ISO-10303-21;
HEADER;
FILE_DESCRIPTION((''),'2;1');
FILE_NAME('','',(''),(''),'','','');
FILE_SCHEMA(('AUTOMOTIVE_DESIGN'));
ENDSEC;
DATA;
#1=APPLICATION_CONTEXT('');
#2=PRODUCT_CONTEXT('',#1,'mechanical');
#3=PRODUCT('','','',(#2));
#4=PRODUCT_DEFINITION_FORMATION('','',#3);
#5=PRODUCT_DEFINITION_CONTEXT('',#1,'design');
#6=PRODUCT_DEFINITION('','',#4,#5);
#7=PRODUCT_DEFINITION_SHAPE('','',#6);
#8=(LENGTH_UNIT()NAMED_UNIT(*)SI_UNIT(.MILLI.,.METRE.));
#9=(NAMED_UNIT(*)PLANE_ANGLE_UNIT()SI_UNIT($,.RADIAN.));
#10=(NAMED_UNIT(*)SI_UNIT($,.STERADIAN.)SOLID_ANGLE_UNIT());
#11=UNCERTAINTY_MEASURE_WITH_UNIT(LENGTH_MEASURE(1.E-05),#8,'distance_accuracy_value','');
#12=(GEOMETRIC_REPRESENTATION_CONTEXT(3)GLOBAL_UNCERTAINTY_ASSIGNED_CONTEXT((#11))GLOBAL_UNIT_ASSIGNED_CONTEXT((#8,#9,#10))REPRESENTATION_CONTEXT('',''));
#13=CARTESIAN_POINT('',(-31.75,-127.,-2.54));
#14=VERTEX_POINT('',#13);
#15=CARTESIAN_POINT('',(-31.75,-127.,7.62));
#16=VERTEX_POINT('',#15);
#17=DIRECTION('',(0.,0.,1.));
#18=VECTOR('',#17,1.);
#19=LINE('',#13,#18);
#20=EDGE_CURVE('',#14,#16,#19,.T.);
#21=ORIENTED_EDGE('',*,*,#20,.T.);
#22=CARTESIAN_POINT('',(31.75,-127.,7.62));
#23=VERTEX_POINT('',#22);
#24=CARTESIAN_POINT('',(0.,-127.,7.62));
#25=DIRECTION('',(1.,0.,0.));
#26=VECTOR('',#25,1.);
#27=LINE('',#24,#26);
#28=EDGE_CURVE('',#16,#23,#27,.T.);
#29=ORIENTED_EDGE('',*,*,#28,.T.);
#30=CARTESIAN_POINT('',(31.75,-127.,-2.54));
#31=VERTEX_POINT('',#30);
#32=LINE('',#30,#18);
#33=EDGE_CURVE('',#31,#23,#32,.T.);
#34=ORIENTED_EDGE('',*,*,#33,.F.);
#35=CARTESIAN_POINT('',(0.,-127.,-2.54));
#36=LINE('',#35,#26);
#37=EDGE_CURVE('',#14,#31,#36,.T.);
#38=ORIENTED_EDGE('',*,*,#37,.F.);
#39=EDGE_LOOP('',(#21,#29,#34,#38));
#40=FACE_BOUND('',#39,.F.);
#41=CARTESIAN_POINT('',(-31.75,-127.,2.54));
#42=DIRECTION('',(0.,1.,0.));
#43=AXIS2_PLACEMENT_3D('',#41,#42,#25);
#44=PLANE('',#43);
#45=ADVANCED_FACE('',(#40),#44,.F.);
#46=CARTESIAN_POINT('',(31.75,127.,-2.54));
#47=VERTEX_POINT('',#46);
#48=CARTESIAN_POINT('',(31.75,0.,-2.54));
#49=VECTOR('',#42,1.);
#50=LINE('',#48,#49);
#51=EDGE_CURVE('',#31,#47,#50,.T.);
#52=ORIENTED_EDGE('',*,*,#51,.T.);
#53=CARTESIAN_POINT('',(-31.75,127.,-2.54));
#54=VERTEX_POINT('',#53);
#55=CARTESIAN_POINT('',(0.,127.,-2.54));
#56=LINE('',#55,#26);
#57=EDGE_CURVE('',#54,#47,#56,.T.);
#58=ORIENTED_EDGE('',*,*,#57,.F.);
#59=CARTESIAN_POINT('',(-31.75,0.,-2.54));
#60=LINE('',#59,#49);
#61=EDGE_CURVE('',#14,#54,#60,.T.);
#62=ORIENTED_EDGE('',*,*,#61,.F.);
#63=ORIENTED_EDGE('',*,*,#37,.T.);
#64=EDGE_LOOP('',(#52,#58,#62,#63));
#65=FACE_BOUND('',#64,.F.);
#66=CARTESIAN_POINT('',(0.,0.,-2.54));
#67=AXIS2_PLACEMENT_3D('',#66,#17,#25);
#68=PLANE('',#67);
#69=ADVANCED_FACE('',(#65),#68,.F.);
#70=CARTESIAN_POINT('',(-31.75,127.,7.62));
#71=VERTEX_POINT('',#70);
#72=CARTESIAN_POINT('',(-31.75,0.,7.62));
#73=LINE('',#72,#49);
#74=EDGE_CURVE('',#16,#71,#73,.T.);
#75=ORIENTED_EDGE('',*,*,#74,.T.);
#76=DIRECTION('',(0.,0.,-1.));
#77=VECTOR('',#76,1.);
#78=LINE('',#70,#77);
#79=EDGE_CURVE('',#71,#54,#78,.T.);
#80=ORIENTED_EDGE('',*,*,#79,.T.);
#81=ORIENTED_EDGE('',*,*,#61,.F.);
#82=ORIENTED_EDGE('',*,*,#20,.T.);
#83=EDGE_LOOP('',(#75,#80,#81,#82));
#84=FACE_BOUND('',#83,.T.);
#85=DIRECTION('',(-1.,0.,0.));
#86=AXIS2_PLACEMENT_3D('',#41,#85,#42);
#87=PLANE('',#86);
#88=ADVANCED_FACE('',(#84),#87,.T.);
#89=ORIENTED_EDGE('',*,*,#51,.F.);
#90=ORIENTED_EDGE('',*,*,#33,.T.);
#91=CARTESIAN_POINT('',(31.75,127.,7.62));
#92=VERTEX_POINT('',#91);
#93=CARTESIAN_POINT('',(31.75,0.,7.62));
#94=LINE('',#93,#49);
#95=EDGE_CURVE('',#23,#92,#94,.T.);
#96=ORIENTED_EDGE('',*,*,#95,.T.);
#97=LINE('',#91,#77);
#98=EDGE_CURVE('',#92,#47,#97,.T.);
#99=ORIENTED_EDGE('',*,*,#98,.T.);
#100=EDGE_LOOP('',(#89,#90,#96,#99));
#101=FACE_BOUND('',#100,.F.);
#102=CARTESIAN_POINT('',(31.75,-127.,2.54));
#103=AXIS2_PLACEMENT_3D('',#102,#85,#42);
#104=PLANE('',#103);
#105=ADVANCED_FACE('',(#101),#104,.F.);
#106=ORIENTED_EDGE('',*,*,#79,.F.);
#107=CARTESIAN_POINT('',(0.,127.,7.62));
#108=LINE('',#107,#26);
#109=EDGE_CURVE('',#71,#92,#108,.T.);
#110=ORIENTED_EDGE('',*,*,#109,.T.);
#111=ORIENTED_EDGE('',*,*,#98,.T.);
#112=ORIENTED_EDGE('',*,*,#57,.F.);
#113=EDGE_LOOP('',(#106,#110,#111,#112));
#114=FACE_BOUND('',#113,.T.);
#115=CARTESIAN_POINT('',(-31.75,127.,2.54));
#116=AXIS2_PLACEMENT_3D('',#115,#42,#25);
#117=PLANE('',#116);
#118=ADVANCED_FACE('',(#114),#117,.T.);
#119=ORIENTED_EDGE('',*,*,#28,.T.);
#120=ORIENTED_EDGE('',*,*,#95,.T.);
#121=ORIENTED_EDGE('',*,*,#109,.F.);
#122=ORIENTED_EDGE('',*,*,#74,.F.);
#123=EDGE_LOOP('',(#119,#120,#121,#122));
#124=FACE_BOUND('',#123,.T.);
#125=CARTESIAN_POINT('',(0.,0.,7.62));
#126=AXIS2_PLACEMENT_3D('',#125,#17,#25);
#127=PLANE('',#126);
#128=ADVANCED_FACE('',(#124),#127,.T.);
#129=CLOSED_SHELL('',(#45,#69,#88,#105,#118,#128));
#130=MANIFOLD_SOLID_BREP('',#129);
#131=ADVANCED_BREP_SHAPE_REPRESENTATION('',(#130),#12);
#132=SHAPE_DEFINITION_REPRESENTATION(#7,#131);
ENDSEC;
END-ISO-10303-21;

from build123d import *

# Parameters (mm, degrees)
F0_W     = 63.5
F0_H     = 254
F1_DEPTH = 2.54
F2_DEPTH = 5.08


with BuildPart() as f1:
    # F0 (on Top) → F1 (new body, symmetric)
    with BuildSketch(Plane.XY):
        Rectangle(F0_W, F0_H)
    extrude(amount=F1_DEPTH, both=True)

    # F2 (add): a face of the model
    f2_faces = [f1.faces().sort_by_distance(p)[0] for p in [
        (0, 0, 2.54),
    ]]
    extrude(f2_faces, amount=F2_DEPTH)


solid = f1.part
